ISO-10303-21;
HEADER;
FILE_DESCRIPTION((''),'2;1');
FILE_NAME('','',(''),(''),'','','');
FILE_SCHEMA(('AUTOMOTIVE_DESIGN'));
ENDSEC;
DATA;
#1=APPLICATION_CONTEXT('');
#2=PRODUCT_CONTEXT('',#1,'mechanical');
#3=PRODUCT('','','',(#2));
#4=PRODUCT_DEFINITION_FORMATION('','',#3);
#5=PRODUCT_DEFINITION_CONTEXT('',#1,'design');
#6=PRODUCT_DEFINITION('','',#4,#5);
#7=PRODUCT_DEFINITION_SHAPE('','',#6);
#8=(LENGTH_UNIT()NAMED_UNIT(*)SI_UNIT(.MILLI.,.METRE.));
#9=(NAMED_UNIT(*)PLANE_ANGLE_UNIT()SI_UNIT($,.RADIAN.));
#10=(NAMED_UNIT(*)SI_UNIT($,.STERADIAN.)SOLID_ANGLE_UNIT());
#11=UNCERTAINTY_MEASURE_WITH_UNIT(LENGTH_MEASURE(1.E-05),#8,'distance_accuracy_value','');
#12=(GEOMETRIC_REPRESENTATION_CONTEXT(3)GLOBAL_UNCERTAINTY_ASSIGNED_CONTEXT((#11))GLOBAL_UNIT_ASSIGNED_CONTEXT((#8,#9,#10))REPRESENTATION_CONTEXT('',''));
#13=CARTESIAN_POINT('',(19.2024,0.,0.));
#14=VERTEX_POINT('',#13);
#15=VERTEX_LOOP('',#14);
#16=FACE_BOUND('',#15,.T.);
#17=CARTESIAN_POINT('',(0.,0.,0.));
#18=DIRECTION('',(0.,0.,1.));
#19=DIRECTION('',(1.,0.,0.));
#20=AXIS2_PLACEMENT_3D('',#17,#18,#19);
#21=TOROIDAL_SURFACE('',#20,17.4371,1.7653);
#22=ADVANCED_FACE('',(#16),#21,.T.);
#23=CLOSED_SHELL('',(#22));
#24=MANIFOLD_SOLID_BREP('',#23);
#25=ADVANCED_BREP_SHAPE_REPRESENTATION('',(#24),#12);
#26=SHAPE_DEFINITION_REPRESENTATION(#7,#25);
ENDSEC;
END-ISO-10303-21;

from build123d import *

# Parameters (mm, degrees)
SKETCH2_R = 1.7653


with BuildPart() as part:
    # Sketch2 → Revolve1 (revolve)
    with BuildSketch(Plane(origin=(0, 0, 0), x_dir=(1, 0, 0), z_dir=(0, 1, 0))):
        with Locations((-17.4371, 0)):
            Circle(SKETCH2_R)
    revolve(axis=Axis((0, 0, 1.7653), (0, 0, -1)))


solid = part.part
